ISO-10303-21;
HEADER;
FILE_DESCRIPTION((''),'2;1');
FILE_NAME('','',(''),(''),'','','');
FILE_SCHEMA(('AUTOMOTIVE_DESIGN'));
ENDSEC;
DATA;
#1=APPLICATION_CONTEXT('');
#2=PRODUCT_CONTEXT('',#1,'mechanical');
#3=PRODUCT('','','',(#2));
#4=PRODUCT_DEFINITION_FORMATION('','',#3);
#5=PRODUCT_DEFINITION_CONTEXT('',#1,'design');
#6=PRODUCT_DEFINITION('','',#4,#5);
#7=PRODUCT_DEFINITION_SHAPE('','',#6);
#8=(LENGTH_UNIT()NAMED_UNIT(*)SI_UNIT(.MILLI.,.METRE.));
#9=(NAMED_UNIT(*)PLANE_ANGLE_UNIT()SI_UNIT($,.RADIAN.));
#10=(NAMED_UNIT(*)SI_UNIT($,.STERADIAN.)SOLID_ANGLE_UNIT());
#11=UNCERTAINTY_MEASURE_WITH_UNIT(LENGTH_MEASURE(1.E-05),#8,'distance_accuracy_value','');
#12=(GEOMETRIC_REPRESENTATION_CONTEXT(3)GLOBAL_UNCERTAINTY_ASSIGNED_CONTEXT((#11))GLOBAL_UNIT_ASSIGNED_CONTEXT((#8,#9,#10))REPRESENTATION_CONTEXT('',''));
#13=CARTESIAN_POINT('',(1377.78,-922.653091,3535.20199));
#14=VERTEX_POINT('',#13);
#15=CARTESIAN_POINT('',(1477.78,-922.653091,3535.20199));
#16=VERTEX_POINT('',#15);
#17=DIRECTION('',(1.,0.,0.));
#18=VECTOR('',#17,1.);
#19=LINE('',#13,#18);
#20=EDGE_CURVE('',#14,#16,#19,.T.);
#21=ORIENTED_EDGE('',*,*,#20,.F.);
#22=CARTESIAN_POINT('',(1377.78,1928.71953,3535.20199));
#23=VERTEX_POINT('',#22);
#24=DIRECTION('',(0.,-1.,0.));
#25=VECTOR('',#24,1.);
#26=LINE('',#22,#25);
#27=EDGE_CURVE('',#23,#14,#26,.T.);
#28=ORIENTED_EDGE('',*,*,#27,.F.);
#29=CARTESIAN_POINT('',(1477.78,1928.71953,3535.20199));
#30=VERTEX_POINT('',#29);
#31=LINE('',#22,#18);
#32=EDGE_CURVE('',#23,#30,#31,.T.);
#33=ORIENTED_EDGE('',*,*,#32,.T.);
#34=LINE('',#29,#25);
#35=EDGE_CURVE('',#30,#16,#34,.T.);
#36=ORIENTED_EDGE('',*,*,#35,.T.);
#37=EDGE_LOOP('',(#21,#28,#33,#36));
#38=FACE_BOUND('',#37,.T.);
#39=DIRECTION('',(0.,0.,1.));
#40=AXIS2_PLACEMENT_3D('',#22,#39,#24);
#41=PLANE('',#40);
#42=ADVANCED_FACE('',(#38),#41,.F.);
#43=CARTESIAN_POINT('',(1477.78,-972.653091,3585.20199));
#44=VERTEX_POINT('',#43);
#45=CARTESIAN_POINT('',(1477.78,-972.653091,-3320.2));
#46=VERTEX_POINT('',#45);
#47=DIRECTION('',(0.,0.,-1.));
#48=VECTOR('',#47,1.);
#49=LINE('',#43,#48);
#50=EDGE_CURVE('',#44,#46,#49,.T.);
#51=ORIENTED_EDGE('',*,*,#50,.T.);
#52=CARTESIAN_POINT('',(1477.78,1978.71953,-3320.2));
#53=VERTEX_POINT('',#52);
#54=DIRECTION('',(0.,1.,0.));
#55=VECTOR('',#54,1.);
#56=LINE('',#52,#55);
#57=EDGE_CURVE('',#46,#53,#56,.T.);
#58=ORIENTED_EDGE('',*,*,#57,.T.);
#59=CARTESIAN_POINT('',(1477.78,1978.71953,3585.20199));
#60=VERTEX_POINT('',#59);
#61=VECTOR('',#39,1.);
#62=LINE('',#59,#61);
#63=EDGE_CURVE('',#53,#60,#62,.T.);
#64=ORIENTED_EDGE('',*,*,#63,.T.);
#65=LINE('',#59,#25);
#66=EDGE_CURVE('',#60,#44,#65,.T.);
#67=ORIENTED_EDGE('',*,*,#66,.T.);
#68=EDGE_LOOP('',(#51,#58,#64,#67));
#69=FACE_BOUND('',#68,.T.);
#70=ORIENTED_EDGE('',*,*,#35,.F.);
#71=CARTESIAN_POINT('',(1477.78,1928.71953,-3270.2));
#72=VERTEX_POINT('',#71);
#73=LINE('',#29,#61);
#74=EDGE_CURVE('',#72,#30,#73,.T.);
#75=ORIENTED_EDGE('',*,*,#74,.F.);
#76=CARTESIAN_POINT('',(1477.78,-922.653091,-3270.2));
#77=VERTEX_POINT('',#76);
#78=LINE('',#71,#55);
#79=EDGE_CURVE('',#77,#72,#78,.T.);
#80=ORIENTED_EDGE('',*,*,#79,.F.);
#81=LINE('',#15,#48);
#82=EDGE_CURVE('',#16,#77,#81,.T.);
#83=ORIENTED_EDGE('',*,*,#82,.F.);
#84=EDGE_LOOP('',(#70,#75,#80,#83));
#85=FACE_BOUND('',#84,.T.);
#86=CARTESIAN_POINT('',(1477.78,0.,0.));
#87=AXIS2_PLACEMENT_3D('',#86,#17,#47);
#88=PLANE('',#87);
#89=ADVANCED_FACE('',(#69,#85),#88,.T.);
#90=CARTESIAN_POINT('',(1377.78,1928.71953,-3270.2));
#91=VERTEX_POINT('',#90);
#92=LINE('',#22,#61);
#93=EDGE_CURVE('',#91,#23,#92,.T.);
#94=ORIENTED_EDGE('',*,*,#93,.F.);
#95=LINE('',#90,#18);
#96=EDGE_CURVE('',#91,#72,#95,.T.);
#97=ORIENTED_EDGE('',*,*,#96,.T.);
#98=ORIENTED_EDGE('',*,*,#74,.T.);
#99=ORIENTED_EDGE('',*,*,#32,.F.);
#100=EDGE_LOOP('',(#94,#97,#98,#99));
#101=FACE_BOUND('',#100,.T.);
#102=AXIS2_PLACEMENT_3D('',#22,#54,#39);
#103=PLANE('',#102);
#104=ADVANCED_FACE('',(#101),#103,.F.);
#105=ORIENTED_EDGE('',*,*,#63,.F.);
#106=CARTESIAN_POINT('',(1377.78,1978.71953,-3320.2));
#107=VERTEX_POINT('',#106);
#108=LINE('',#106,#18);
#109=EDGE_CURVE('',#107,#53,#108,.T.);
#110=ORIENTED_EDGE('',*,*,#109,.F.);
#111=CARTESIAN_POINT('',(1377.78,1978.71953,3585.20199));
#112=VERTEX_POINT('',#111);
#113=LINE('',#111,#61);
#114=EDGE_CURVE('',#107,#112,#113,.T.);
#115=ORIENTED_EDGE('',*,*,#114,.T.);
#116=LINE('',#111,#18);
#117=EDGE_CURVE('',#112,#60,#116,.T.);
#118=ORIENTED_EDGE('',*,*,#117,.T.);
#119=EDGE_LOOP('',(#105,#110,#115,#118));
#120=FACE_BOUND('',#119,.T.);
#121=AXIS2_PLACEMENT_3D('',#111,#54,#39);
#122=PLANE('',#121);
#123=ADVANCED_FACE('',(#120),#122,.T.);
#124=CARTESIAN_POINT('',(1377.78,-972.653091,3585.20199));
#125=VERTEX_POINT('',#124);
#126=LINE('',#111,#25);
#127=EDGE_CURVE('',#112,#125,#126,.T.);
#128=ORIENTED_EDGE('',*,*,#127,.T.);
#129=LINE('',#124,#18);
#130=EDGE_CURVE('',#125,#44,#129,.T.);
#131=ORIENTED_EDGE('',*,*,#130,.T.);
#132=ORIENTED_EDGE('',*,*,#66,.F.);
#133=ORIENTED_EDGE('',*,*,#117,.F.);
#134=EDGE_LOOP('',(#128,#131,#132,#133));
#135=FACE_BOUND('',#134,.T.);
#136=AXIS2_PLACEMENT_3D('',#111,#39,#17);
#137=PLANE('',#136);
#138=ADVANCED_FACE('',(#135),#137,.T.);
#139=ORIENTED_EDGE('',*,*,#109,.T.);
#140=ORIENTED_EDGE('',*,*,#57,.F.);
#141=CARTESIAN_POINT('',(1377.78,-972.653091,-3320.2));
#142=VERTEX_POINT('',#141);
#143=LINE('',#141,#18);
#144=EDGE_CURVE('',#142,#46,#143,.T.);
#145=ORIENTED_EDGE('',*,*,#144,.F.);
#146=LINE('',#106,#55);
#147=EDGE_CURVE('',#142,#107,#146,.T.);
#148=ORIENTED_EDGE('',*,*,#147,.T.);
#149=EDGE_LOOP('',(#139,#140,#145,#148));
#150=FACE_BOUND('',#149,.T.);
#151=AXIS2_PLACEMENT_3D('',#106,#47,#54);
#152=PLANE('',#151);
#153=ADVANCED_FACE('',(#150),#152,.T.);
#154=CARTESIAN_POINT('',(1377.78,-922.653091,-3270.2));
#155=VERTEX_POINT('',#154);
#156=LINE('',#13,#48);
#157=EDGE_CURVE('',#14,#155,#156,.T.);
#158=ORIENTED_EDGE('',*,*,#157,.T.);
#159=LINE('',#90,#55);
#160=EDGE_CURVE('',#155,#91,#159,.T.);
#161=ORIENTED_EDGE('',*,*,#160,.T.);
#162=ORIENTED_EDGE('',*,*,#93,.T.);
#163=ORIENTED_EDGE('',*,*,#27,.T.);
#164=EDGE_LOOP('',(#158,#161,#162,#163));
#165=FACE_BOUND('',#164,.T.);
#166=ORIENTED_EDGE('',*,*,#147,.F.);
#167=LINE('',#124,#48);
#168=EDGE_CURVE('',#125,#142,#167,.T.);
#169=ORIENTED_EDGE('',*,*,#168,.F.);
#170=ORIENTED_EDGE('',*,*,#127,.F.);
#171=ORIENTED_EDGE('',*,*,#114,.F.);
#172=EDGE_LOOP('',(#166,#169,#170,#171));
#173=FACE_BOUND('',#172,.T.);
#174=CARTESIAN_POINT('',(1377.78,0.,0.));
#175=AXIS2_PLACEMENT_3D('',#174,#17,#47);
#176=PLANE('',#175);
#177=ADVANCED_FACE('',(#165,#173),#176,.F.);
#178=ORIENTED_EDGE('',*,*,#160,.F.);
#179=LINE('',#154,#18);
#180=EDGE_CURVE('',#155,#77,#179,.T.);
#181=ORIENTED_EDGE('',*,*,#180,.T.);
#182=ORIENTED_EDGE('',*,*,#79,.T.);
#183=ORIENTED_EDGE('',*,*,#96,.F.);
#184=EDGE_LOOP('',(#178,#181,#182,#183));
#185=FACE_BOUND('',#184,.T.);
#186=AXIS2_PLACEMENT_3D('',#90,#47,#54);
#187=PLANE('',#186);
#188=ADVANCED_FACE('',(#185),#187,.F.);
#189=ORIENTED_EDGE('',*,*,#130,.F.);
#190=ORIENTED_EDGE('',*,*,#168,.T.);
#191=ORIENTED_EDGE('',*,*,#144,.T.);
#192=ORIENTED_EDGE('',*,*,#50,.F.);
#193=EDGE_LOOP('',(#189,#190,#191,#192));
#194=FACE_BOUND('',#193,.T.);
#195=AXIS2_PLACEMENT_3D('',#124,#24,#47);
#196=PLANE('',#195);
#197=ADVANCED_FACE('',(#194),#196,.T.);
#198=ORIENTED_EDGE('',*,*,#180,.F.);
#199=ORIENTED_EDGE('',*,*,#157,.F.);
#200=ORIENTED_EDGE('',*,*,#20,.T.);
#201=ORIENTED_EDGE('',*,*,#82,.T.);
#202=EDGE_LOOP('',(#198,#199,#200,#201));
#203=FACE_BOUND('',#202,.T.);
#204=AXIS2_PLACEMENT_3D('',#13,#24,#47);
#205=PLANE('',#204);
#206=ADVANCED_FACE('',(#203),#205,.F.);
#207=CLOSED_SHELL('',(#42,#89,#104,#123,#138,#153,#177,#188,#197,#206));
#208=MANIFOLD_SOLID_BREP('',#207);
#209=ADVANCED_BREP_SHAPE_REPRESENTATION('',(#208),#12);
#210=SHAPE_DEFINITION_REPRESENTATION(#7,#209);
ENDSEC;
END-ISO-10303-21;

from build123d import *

# Parameters (mm, degrees)
SKETCH1_W           = 6905.40199
SKETCH1_H           = 2951.372621228
SKETCH1_W_2         = 6805.40199
SKETCH1_H_2         = 2851.372621228
BOSS_EXTRUDE1_DEPTH = 100


with BuildPart() as part:
    # Sketch1 → Boss-Extrude1 (new body)
    with BuildSketch(Plane(origin=(1477.78, 0, 0), x_dir=(0, 0, -1), z_dir=(1, 0, 0))):
        with Locations((-132.500995, 503.033219386)):
            Rectangle(SKETCH1_W, SKETCH1_H)
        with Locations((-132.500995, 503.033219386)):
            Rectangle(SKETCH1_W_2, SKETCH1_H_2, mode=Mode.SUBTRACT)
    extrude(amount=-BOSS_EXTRUDE1_DEPTH)


solid = part.part
